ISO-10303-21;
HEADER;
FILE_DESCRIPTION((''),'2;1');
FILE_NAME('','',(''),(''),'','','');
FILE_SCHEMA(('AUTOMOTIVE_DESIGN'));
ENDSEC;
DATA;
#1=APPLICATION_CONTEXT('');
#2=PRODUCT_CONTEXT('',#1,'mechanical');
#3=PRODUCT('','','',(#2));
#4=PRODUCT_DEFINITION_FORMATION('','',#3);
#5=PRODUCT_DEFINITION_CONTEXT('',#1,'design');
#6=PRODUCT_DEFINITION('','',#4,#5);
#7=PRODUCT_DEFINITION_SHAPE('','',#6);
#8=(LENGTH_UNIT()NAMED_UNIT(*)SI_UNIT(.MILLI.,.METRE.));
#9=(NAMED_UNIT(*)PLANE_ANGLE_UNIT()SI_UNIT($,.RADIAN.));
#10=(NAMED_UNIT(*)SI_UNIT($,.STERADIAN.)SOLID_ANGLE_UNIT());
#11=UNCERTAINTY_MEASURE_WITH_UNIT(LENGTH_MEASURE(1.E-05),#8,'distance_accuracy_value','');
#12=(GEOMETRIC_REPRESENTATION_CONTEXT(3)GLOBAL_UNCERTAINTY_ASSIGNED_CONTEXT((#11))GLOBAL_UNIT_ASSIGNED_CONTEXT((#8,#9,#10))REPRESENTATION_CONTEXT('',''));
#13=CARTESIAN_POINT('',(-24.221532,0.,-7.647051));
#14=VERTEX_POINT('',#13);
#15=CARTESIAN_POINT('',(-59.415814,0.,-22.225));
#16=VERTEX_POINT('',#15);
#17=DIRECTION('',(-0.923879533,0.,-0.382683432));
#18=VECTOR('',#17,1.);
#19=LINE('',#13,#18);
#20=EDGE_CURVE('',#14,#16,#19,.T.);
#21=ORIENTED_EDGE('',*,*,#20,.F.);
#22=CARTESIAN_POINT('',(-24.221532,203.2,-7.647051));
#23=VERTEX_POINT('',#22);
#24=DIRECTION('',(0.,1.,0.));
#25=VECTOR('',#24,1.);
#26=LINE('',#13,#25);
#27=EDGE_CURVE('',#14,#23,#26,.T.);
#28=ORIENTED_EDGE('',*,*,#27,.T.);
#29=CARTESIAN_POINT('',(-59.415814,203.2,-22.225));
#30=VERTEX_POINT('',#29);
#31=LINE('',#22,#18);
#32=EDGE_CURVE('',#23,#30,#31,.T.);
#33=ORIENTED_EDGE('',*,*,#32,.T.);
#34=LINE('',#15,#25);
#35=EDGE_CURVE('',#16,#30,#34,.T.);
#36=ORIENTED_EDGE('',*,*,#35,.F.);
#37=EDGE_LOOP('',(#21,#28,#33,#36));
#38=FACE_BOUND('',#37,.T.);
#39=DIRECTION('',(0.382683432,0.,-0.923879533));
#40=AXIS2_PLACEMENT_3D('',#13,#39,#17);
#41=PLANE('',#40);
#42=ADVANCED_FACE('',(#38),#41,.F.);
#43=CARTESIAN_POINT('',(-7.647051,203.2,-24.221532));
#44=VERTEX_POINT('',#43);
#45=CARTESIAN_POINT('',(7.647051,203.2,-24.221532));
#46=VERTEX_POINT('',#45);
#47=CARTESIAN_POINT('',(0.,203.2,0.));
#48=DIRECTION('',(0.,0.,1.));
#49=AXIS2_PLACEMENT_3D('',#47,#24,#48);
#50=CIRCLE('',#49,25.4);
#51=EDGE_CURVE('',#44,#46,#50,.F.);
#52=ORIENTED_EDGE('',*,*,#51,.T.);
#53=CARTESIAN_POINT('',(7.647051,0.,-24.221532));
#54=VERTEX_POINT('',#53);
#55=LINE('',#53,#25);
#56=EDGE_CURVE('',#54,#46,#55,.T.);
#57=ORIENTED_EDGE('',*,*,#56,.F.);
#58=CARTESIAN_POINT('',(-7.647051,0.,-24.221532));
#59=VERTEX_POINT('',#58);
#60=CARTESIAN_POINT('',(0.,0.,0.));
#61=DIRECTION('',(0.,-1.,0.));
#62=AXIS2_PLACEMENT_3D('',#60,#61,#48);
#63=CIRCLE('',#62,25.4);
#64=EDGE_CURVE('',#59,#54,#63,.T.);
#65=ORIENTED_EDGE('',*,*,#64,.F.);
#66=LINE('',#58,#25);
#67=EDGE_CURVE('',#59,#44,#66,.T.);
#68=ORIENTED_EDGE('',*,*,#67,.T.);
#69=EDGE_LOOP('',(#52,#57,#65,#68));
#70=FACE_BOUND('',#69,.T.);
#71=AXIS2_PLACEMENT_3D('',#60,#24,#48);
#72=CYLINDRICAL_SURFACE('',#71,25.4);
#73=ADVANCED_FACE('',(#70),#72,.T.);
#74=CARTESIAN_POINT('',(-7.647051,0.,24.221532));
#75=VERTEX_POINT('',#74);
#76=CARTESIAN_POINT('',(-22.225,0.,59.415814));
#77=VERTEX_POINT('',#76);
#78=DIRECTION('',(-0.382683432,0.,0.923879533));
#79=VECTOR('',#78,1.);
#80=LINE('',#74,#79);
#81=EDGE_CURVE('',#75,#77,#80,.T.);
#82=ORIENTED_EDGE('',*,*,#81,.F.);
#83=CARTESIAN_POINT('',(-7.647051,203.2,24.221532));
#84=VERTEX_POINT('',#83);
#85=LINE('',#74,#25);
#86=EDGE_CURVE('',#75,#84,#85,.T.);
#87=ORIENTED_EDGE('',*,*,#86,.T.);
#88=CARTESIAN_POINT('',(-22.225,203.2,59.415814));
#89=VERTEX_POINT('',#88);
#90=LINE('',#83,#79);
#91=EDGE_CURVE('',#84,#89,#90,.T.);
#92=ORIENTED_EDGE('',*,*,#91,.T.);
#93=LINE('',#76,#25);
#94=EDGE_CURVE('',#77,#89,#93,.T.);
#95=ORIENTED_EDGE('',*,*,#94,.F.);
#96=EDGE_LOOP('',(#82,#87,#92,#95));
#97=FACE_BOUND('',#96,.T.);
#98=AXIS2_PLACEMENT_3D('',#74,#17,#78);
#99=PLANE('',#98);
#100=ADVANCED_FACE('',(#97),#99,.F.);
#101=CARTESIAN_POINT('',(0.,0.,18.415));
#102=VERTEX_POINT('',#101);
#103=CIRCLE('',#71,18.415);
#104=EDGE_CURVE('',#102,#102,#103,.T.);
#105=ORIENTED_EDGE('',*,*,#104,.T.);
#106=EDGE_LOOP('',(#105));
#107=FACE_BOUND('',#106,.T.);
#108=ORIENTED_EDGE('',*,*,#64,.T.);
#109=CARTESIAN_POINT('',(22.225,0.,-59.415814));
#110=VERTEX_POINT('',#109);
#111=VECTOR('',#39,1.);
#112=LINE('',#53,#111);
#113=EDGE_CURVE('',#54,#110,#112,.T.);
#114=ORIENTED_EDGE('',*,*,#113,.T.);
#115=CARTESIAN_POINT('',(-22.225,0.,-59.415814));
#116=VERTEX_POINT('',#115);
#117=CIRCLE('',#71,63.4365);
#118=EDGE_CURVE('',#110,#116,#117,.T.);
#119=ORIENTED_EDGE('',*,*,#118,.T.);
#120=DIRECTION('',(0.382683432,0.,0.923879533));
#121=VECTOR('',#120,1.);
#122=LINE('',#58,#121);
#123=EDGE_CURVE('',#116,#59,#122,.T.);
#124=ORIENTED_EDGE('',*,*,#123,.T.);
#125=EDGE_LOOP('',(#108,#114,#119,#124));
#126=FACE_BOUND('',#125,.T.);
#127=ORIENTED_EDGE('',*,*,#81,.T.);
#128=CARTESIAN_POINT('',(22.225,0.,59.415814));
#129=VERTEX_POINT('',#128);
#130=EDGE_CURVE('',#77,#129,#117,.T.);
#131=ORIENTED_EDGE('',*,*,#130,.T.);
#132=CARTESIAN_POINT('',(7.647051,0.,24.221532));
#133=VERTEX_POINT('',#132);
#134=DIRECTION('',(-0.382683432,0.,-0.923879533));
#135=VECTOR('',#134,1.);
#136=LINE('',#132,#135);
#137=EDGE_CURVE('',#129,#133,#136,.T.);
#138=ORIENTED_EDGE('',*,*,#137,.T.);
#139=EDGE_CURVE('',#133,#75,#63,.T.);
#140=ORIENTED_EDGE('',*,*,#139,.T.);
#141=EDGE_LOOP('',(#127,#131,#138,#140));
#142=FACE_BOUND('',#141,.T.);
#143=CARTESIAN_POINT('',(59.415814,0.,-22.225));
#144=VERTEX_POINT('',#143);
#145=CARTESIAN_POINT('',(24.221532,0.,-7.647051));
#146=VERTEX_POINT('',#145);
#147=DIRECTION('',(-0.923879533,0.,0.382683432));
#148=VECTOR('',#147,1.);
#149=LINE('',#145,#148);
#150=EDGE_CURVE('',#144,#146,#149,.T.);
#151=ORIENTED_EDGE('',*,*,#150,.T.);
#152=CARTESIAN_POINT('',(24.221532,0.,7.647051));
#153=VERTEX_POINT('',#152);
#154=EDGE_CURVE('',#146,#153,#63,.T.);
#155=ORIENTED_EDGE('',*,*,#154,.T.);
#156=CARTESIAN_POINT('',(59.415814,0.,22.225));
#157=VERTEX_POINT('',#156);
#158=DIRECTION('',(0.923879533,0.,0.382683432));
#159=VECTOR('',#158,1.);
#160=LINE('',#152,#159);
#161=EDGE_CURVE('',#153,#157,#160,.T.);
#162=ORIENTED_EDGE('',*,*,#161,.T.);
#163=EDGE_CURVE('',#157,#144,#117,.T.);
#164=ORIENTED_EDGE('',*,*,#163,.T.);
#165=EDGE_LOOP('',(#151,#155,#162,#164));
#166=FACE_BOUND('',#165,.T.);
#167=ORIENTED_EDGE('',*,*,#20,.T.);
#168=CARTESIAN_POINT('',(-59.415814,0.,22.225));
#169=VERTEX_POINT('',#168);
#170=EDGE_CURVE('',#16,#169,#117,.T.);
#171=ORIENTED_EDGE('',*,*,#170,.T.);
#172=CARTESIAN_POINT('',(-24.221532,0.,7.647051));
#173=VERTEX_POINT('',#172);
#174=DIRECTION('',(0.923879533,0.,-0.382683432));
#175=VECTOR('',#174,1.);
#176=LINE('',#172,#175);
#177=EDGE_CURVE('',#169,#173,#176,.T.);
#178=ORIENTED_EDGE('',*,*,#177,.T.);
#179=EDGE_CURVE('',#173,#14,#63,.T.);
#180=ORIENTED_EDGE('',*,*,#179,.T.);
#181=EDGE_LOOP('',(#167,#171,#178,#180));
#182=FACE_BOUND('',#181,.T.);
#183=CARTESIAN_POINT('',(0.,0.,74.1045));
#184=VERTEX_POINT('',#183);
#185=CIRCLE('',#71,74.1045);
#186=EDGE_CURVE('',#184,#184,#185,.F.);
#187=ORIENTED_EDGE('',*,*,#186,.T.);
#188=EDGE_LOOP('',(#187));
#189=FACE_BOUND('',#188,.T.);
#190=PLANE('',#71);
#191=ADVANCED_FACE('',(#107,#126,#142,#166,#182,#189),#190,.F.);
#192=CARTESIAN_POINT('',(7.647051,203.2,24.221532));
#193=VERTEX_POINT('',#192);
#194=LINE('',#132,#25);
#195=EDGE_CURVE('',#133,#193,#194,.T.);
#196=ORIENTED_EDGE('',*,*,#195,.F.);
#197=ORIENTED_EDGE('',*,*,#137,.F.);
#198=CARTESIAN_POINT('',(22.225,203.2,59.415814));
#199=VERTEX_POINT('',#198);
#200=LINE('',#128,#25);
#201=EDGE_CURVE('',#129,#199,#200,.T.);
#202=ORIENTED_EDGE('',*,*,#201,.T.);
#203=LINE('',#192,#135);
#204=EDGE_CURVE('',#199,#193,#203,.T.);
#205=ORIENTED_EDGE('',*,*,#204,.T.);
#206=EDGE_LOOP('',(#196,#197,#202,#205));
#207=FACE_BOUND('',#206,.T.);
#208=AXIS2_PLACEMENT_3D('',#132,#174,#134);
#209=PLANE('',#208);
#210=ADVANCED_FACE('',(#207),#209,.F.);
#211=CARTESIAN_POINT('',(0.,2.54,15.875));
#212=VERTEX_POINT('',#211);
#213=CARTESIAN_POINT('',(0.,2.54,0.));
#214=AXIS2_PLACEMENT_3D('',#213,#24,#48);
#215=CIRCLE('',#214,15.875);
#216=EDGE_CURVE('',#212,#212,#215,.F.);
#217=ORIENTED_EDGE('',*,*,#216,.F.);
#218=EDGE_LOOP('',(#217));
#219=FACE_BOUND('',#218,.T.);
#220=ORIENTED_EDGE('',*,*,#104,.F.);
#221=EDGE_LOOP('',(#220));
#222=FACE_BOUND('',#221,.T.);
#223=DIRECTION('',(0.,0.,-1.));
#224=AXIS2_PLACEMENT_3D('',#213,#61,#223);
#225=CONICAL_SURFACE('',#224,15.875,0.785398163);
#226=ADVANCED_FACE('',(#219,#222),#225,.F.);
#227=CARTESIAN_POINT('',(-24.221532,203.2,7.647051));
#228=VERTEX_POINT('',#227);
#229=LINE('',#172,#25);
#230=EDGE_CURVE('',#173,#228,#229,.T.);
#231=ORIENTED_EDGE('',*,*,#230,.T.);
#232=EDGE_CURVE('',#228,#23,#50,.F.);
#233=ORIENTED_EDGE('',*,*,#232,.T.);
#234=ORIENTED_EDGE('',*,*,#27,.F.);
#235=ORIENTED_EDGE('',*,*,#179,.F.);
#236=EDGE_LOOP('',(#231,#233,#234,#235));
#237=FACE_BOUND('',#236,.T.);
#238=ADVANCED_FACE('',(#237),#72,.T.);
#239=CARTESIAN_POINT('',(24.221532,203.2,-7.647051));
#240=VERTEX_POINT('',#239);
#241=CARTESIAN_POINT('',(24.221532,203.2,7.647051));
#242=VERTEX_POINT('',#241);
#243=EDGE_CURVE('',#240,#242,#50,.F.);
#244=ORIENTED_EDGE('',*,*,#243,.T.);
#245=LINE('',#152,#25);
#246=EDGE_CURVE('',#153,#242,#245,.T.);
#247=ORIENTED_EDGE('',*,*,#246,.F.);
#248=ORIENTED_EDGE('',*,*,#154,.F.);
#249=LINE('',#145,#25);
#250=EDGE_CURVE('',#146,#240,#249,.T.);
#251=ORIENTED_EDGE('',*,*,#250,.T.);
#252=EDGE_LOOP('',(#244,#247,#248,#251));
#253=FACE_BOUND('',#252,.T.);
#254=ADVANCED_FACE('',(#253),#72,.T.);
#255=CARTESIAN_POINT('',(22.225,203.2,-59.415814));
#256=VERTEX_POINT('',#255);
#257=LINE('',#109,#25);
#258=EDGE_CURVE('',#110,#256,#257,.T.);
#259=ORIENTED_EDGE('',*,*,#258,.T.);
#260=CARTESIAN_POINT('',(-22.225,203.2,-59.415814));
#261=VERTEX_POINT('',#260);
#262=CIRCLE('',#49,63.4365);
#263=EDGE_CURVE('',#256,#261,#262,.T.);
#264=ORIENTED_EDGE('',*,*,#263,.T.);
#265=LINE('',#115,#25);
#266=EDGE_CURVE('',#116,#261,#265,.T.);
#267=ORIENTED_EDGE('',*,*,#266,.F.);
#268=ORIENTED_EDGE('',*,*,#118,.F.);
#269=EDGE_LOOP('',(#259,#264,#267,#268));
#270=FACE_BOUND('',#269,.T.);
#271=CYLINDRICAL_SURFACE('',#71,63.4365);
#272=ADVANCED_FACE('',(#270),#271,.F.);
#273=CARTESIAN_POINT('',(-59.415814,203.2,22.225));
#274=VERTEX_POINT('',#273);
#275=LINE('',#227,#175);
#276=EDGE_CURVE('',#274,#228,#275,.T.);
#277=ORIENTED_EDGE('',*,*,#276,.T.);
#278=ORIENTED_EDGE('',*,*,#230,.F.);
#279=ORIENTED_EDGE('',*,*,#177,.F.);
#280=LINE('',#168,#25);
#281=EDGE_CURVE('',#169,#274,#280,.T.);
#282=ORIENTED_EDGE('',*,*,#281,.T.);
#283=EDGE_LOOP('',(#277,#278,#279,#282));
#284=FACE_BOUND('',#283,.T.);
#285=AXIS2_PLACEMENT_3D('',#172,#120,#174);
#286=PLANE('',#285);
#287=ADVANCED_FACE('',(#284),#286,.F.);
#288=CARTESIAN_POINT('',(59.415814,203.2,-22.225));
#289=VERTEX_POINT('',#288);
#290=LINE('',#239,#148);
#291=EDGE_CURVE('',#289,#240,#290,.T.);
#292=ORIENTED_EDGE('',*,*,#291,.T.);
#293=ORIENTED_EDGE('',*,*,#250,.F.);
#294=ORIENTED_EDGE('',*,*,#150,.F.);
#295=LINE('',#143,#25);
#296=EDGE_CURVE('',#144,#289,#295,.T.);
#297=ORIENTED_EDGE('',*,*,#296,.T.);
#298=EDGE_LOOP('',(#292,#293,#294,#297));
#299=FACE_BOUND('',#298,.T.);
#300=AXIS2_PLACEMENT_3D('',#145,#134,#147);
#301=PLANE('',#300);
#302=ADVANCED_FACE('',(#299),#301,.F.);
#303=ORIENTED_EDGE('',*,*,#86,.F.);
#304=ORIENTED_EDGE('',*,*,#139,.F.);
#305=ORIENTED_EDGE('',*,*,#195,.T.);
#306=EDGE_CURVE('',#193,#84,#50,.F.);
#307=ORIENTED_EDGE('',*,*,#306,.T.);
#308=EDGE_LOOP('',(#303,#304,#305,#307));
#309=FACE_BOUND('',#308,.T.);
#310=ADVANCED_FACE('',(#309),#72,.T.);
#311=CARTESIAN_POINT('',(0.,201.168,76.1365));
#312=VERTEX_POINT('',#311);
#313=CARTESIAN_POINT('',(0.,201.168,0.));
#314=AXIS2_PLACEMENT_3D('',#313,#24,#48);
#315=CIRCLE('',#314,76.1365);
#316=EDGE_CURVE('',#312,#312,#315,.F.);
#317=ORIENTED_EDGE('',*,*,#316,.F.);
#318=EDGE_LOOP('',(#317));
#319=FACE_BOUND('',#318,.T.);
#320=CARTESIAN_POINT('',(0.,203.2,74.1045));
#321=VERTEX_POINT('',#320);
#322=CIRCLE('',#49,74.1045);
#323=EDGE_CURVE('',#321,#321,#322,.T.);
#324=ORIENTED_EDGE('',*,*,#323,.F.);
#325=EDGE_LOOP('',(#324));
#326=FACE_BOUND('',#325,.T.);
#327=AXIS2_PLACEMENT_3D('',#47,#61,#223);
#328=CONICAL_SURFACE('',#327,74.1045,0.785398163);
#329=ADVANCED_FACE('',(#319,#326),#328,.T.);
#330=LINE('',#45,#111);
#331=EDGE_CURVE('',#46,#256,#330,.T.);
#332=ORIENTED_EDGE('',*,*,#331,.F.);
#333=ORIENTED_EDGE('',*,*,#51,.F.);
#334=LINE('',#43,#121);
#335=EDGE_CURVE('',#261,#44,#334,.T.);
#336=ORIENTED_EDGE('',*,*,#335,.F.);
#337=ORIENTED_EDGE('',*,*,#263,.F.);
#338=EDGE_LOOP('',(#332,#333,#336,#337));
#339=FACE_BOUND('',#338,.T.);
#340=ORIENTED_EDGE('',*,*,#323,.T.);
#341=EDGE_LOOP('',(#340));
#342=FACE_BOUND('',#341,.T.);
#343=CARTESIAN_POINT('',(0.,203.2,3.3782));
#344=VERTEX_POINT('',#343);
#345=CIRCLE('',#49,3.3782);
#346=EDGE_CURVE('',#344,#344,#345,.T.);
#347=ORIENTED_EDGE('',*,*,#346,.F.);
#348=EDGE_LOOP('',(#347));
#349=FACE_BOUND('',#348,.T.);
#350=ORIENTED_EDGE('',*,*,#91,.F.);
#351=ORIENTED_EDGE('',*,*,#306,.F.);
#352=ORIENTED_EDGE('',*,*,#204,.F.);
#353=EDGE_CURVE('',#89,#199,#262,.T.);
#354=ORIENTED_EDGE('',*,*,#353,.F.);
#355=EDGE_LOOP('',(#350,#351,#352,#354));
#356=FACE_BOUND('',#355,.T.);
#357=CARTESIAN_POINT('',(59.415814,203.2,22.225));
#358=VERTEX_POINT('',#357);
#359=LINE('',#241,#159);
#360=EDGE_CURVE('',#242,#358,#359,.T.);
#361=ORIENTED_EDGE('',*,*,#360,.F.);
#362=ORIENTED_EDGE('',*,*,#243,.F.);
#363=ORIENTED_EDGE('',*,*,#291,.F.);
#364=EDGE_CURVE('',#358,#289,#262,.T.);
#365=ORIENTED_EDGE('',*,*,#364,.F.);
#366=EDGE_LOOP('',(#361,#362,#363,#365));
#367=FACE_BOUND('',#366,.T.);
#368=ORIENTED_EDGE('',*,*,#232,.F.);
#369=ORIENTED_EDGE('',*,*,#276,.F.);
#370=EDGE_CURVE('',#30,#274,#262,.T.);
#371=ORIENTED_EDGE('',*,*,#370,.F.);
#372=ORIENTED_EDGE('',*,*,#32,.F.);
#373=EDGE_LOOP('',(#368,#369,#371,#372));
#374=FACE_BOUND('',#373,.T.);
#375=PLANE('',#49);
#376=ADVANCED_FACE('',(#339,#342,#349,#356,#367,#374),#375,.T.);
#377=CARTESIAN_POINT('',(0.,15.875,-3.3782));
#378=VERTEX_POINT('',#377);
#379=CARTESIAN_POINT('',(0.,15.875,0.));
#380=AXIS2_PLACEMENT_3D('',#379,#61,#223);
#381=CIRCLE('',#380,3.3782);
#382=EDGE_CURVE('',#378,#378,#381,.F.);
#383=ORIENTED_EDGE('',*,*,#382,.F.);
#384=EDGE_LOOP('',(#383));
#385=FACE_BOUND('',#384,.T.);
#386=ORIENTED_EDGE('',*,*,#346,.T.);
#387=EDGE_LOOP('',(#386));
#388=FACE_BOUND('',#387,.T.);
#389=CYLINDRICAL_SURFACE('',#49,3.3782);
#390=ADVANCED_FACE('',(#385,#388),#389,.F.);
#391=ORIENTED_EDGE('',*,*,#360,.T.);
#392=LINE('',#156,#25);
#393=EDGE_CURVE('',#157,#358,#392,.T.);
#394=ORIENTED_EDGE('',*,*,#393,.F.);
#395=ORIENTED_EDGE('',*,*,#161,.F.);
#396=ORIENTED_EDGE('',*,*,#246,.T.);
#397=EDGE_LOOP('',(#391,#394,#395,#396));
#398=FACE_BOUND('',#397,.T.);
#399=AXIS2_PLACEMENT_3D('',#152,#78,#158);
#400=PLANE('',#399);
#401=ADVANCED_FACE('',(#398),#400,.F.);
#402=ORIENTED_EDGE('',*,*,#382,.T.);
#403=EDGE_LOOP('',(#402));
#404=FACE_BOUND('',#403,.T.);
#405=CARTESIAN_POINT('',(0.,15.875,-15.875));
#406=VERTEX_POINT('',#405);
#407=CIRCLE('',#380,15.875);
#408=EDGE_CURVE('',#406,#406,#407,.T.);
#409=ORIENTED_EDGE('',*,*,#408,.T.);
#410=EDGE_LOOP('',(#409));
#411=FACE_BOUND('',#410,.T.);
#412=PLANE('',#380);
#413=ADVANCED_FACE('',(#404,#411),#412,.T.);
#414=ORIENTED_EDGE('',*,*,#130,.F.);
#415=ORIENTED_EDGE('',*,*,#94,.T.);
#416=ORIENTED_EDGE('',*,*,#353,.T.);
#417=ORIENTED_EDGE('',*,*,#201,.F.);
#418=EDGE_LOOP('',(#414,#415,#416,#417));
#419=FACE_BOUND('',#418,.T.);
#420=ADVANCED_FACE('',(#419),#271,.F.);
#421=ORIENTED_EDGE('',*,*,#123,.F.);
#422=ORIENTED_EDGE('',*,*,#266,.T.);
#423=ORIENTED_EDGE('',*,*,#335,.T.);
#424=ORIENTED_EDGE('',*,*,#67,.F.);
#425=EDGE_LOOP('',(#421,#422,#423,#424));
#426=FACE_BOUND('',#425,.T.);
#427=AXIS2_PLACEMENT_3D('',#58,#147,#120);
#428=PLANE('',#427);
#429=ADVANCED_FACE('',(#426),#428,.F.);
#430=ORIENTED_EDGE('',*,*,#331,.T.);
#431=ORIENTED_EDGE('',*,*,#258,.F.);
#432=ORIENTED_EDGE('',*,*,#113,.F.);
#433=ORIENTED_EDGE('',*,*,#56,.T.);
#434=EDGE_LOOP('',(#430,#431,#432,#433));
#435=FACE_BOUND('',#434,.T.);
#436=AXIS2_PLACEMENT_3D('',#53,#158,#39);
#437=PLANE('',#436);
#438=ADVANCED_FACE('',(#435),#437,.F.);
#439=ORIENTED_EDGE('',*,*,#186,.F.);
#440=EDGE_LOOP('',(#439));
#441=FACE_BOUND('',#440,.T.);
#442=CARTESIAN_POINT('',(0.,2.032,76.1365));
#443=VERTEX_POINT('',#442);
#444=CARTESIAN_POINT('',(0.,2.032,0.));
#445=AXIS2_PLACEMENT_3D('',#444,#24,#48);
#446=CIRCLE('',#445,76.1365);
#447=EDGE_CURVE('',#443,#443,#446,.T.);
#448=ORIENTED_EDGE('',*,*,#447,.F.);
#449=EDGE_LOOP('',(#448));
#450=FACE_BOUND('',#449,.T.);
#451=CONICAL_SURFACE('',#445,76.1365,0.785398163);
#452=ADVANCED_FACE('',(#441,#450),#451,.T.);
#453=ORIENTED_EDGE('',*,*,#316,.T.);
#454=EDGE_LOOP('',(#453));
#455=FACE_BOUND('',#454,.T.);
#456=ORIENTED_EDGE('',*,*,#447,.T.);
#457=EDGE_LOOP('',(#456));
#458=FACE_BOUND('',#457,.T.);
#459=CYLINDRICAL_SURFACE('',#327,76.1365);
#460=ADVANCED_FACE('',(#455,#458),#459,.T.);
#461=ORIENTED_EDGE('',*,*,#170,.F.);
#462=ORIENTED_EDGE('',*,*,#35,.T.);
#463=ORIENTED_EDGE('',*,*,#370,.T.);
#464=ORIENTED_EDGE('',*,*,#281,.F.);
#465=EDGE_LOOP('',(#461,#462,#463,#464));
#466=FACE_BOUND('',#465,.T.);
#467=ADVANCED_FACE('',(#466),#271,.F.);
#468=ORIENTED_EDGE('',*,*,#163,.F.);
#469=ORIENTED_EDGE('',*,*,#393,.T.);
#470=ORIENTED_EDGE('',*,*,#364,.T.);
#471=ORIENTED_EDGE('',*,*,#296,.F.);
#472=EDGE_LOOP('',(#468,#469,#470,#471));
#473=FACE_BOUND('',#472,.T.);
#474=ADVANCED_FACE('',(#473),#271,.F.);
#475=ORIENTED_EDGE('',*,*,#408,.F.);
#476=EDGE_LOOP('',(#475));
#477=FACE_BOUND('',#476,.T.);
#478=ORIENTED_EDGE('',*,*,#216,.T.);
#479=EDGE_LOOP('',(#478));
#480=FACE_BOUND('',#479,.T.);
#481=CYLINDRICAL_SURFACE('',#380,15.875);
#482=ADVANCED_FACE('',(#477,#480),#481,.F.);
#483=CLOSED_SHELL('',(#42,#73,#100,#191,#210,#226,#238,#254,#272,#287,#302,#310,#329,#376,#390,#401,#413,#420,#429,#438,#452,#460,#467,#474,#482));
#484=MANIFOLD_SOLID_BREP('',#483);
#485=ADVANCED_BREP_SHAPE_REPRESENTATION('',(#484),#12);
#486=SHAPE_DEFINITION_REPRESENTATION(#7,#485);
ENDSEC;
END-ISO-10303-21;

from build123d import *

# Parameters (mm, degrees)
SKETCH1_R               = 76.1365
BOSS_EXTRUDE1_DEPTH     = 203.2
CHAMFER1_SIZE           = 2.032
CUT_EXTRUDE2_DEPTH      = 230.964721782
CUT_EXTRUDE2_DEPTH_BACK = 230.964721782
F_1_4_CLEARANCE_HOLE1_D = 6.7564
SKETCH6_R               = 15.875
CUT_EXTRUDE3_DEPTH      = 15.875
CHAMFER2_SIZE           = 2.54


with BuildPart() as part:
    # Sketch1 → Boss-Extrude1 (new body)
    with BuildSketch(Plane(origin=(0, 0, 0), x_dir=(1, 0, 0), z_dir=(0, 1, 0))):
        with Locations(Location((0, 0, 0), (0, 0, 270))):
            Circle(SKETCH1_R)
    extrude(amount=BOSS_EXTRUDE1_DEPTH)

    # Chamfer1
    chamfer1_edges = [part.edges().sort_by_distance(p)[0] for p in [
        (0, 0, -76.1365),
        (0, 203.2, -76.1365),
    ]]
    chamfer(chamfer1_edges, length=CHAMFER1_SIZE)

    # Sketch3 → Cut-Extrude2 (cut, two sides: drawn at the far end of the back side and taken through both)
    with BuildSketch(Plane(origin=(0, 203.2, 0), x_dir=(1, 0, 0), z_dir=(0, 1, 0)).offset(-CUT_EXTRUDE2_DEPTH_BACK)):
        with BuildLine():
            Line((-7.6470512, 24.221531908), (-22.225, 59.415813613))
            ThreePointArc((-22.225, 59.415813613), (0, 63.4365), (22.225, 59.415813613))
            Line((22.225, 59.415813613), (7.6470512, 24.221531908))
            ThreePointArc((7.6470512, 24.221531908), (0, 25.4), (-7.6470512, 24.221531908))
        make_face()
        with BuildLine():
            Line((24.221531908, 7.6470512), (59.415813613, 22.225))
            ThreePointArc((59.415813613, 22.225), (63.4365, 0), (59.415813613, -22.225))
            Line((59.415813613, -22.225), (24.221531908, -7.6470512))
            ThreePointArc((24.221531908, -7.6470512), (25.4, 0), (24.221531908, 7.6470512))
        make_face()
        with BuildLine():
            Line((7.6470512, -24.221531908), (22.225, -59.415813613))
            ThreePointArc((22.225, -59.415813613), (0, -63.4365), (-22.225, -59.415813613))
            Line((-22.225, -59.415813613), (-7.6470512, -24.221531908))
            ThreePointArc((-7.6470512, -24.221531908), (0, -25.4), (7.6470512, -24.221531908))
        make_face()
        with BuildLine():
            Line((-24.221531908, -7.6470512), (-59.415813613, -22.225))
            ThreePointArc((-59.415813613, -22.225), (-63.4365, 0), (-59.415813613, 22.225))
            Line((-59.415813613, 22.225), (-24.221531908, 7.6470512))
            ThreePointArc((-24.221531908, 7.6470512), (-25.4, 0), (-24.221531908, -7.6470512))
        make_face()
    extrude(amount=CUT_EXTRUDE2_DEPTH + CUT_EXTRUDE2_DEPTH_BACK, mode=Mode.SUBTRACT)

    # 1/4 Clearance Hole1 (through all)
    with Locations(Plane(origin=(0, 203.2, 0), x_dir=(1, 0, 0), z_dir=(0, 1, 0))):
        with Locations((0, 0)):
            Hole(F_1_4_CLEARANCE_HOLE1_D / 2)

    # Sketch6 → Cut-Extrude3 (cut)
    with BuildSketch(Plane.XZ):
        with Locations(Location((0, 0, 0), (0, 0, 270))):
            Circle(SKETCH6_R)
    extrude(amount=-CUT_EXTRUDE3_DEPTH, mode=Mode.SUBTRACT)

    # Chamfer2
    chamfer2_edges = [part.edges().sort_by_distance(p)[0] for p in [
        (0, 0, 15.875),
    ]]
    chamfer(chamfer2_edges, length=CHAMFER2_SIZE)


solid = part.part
